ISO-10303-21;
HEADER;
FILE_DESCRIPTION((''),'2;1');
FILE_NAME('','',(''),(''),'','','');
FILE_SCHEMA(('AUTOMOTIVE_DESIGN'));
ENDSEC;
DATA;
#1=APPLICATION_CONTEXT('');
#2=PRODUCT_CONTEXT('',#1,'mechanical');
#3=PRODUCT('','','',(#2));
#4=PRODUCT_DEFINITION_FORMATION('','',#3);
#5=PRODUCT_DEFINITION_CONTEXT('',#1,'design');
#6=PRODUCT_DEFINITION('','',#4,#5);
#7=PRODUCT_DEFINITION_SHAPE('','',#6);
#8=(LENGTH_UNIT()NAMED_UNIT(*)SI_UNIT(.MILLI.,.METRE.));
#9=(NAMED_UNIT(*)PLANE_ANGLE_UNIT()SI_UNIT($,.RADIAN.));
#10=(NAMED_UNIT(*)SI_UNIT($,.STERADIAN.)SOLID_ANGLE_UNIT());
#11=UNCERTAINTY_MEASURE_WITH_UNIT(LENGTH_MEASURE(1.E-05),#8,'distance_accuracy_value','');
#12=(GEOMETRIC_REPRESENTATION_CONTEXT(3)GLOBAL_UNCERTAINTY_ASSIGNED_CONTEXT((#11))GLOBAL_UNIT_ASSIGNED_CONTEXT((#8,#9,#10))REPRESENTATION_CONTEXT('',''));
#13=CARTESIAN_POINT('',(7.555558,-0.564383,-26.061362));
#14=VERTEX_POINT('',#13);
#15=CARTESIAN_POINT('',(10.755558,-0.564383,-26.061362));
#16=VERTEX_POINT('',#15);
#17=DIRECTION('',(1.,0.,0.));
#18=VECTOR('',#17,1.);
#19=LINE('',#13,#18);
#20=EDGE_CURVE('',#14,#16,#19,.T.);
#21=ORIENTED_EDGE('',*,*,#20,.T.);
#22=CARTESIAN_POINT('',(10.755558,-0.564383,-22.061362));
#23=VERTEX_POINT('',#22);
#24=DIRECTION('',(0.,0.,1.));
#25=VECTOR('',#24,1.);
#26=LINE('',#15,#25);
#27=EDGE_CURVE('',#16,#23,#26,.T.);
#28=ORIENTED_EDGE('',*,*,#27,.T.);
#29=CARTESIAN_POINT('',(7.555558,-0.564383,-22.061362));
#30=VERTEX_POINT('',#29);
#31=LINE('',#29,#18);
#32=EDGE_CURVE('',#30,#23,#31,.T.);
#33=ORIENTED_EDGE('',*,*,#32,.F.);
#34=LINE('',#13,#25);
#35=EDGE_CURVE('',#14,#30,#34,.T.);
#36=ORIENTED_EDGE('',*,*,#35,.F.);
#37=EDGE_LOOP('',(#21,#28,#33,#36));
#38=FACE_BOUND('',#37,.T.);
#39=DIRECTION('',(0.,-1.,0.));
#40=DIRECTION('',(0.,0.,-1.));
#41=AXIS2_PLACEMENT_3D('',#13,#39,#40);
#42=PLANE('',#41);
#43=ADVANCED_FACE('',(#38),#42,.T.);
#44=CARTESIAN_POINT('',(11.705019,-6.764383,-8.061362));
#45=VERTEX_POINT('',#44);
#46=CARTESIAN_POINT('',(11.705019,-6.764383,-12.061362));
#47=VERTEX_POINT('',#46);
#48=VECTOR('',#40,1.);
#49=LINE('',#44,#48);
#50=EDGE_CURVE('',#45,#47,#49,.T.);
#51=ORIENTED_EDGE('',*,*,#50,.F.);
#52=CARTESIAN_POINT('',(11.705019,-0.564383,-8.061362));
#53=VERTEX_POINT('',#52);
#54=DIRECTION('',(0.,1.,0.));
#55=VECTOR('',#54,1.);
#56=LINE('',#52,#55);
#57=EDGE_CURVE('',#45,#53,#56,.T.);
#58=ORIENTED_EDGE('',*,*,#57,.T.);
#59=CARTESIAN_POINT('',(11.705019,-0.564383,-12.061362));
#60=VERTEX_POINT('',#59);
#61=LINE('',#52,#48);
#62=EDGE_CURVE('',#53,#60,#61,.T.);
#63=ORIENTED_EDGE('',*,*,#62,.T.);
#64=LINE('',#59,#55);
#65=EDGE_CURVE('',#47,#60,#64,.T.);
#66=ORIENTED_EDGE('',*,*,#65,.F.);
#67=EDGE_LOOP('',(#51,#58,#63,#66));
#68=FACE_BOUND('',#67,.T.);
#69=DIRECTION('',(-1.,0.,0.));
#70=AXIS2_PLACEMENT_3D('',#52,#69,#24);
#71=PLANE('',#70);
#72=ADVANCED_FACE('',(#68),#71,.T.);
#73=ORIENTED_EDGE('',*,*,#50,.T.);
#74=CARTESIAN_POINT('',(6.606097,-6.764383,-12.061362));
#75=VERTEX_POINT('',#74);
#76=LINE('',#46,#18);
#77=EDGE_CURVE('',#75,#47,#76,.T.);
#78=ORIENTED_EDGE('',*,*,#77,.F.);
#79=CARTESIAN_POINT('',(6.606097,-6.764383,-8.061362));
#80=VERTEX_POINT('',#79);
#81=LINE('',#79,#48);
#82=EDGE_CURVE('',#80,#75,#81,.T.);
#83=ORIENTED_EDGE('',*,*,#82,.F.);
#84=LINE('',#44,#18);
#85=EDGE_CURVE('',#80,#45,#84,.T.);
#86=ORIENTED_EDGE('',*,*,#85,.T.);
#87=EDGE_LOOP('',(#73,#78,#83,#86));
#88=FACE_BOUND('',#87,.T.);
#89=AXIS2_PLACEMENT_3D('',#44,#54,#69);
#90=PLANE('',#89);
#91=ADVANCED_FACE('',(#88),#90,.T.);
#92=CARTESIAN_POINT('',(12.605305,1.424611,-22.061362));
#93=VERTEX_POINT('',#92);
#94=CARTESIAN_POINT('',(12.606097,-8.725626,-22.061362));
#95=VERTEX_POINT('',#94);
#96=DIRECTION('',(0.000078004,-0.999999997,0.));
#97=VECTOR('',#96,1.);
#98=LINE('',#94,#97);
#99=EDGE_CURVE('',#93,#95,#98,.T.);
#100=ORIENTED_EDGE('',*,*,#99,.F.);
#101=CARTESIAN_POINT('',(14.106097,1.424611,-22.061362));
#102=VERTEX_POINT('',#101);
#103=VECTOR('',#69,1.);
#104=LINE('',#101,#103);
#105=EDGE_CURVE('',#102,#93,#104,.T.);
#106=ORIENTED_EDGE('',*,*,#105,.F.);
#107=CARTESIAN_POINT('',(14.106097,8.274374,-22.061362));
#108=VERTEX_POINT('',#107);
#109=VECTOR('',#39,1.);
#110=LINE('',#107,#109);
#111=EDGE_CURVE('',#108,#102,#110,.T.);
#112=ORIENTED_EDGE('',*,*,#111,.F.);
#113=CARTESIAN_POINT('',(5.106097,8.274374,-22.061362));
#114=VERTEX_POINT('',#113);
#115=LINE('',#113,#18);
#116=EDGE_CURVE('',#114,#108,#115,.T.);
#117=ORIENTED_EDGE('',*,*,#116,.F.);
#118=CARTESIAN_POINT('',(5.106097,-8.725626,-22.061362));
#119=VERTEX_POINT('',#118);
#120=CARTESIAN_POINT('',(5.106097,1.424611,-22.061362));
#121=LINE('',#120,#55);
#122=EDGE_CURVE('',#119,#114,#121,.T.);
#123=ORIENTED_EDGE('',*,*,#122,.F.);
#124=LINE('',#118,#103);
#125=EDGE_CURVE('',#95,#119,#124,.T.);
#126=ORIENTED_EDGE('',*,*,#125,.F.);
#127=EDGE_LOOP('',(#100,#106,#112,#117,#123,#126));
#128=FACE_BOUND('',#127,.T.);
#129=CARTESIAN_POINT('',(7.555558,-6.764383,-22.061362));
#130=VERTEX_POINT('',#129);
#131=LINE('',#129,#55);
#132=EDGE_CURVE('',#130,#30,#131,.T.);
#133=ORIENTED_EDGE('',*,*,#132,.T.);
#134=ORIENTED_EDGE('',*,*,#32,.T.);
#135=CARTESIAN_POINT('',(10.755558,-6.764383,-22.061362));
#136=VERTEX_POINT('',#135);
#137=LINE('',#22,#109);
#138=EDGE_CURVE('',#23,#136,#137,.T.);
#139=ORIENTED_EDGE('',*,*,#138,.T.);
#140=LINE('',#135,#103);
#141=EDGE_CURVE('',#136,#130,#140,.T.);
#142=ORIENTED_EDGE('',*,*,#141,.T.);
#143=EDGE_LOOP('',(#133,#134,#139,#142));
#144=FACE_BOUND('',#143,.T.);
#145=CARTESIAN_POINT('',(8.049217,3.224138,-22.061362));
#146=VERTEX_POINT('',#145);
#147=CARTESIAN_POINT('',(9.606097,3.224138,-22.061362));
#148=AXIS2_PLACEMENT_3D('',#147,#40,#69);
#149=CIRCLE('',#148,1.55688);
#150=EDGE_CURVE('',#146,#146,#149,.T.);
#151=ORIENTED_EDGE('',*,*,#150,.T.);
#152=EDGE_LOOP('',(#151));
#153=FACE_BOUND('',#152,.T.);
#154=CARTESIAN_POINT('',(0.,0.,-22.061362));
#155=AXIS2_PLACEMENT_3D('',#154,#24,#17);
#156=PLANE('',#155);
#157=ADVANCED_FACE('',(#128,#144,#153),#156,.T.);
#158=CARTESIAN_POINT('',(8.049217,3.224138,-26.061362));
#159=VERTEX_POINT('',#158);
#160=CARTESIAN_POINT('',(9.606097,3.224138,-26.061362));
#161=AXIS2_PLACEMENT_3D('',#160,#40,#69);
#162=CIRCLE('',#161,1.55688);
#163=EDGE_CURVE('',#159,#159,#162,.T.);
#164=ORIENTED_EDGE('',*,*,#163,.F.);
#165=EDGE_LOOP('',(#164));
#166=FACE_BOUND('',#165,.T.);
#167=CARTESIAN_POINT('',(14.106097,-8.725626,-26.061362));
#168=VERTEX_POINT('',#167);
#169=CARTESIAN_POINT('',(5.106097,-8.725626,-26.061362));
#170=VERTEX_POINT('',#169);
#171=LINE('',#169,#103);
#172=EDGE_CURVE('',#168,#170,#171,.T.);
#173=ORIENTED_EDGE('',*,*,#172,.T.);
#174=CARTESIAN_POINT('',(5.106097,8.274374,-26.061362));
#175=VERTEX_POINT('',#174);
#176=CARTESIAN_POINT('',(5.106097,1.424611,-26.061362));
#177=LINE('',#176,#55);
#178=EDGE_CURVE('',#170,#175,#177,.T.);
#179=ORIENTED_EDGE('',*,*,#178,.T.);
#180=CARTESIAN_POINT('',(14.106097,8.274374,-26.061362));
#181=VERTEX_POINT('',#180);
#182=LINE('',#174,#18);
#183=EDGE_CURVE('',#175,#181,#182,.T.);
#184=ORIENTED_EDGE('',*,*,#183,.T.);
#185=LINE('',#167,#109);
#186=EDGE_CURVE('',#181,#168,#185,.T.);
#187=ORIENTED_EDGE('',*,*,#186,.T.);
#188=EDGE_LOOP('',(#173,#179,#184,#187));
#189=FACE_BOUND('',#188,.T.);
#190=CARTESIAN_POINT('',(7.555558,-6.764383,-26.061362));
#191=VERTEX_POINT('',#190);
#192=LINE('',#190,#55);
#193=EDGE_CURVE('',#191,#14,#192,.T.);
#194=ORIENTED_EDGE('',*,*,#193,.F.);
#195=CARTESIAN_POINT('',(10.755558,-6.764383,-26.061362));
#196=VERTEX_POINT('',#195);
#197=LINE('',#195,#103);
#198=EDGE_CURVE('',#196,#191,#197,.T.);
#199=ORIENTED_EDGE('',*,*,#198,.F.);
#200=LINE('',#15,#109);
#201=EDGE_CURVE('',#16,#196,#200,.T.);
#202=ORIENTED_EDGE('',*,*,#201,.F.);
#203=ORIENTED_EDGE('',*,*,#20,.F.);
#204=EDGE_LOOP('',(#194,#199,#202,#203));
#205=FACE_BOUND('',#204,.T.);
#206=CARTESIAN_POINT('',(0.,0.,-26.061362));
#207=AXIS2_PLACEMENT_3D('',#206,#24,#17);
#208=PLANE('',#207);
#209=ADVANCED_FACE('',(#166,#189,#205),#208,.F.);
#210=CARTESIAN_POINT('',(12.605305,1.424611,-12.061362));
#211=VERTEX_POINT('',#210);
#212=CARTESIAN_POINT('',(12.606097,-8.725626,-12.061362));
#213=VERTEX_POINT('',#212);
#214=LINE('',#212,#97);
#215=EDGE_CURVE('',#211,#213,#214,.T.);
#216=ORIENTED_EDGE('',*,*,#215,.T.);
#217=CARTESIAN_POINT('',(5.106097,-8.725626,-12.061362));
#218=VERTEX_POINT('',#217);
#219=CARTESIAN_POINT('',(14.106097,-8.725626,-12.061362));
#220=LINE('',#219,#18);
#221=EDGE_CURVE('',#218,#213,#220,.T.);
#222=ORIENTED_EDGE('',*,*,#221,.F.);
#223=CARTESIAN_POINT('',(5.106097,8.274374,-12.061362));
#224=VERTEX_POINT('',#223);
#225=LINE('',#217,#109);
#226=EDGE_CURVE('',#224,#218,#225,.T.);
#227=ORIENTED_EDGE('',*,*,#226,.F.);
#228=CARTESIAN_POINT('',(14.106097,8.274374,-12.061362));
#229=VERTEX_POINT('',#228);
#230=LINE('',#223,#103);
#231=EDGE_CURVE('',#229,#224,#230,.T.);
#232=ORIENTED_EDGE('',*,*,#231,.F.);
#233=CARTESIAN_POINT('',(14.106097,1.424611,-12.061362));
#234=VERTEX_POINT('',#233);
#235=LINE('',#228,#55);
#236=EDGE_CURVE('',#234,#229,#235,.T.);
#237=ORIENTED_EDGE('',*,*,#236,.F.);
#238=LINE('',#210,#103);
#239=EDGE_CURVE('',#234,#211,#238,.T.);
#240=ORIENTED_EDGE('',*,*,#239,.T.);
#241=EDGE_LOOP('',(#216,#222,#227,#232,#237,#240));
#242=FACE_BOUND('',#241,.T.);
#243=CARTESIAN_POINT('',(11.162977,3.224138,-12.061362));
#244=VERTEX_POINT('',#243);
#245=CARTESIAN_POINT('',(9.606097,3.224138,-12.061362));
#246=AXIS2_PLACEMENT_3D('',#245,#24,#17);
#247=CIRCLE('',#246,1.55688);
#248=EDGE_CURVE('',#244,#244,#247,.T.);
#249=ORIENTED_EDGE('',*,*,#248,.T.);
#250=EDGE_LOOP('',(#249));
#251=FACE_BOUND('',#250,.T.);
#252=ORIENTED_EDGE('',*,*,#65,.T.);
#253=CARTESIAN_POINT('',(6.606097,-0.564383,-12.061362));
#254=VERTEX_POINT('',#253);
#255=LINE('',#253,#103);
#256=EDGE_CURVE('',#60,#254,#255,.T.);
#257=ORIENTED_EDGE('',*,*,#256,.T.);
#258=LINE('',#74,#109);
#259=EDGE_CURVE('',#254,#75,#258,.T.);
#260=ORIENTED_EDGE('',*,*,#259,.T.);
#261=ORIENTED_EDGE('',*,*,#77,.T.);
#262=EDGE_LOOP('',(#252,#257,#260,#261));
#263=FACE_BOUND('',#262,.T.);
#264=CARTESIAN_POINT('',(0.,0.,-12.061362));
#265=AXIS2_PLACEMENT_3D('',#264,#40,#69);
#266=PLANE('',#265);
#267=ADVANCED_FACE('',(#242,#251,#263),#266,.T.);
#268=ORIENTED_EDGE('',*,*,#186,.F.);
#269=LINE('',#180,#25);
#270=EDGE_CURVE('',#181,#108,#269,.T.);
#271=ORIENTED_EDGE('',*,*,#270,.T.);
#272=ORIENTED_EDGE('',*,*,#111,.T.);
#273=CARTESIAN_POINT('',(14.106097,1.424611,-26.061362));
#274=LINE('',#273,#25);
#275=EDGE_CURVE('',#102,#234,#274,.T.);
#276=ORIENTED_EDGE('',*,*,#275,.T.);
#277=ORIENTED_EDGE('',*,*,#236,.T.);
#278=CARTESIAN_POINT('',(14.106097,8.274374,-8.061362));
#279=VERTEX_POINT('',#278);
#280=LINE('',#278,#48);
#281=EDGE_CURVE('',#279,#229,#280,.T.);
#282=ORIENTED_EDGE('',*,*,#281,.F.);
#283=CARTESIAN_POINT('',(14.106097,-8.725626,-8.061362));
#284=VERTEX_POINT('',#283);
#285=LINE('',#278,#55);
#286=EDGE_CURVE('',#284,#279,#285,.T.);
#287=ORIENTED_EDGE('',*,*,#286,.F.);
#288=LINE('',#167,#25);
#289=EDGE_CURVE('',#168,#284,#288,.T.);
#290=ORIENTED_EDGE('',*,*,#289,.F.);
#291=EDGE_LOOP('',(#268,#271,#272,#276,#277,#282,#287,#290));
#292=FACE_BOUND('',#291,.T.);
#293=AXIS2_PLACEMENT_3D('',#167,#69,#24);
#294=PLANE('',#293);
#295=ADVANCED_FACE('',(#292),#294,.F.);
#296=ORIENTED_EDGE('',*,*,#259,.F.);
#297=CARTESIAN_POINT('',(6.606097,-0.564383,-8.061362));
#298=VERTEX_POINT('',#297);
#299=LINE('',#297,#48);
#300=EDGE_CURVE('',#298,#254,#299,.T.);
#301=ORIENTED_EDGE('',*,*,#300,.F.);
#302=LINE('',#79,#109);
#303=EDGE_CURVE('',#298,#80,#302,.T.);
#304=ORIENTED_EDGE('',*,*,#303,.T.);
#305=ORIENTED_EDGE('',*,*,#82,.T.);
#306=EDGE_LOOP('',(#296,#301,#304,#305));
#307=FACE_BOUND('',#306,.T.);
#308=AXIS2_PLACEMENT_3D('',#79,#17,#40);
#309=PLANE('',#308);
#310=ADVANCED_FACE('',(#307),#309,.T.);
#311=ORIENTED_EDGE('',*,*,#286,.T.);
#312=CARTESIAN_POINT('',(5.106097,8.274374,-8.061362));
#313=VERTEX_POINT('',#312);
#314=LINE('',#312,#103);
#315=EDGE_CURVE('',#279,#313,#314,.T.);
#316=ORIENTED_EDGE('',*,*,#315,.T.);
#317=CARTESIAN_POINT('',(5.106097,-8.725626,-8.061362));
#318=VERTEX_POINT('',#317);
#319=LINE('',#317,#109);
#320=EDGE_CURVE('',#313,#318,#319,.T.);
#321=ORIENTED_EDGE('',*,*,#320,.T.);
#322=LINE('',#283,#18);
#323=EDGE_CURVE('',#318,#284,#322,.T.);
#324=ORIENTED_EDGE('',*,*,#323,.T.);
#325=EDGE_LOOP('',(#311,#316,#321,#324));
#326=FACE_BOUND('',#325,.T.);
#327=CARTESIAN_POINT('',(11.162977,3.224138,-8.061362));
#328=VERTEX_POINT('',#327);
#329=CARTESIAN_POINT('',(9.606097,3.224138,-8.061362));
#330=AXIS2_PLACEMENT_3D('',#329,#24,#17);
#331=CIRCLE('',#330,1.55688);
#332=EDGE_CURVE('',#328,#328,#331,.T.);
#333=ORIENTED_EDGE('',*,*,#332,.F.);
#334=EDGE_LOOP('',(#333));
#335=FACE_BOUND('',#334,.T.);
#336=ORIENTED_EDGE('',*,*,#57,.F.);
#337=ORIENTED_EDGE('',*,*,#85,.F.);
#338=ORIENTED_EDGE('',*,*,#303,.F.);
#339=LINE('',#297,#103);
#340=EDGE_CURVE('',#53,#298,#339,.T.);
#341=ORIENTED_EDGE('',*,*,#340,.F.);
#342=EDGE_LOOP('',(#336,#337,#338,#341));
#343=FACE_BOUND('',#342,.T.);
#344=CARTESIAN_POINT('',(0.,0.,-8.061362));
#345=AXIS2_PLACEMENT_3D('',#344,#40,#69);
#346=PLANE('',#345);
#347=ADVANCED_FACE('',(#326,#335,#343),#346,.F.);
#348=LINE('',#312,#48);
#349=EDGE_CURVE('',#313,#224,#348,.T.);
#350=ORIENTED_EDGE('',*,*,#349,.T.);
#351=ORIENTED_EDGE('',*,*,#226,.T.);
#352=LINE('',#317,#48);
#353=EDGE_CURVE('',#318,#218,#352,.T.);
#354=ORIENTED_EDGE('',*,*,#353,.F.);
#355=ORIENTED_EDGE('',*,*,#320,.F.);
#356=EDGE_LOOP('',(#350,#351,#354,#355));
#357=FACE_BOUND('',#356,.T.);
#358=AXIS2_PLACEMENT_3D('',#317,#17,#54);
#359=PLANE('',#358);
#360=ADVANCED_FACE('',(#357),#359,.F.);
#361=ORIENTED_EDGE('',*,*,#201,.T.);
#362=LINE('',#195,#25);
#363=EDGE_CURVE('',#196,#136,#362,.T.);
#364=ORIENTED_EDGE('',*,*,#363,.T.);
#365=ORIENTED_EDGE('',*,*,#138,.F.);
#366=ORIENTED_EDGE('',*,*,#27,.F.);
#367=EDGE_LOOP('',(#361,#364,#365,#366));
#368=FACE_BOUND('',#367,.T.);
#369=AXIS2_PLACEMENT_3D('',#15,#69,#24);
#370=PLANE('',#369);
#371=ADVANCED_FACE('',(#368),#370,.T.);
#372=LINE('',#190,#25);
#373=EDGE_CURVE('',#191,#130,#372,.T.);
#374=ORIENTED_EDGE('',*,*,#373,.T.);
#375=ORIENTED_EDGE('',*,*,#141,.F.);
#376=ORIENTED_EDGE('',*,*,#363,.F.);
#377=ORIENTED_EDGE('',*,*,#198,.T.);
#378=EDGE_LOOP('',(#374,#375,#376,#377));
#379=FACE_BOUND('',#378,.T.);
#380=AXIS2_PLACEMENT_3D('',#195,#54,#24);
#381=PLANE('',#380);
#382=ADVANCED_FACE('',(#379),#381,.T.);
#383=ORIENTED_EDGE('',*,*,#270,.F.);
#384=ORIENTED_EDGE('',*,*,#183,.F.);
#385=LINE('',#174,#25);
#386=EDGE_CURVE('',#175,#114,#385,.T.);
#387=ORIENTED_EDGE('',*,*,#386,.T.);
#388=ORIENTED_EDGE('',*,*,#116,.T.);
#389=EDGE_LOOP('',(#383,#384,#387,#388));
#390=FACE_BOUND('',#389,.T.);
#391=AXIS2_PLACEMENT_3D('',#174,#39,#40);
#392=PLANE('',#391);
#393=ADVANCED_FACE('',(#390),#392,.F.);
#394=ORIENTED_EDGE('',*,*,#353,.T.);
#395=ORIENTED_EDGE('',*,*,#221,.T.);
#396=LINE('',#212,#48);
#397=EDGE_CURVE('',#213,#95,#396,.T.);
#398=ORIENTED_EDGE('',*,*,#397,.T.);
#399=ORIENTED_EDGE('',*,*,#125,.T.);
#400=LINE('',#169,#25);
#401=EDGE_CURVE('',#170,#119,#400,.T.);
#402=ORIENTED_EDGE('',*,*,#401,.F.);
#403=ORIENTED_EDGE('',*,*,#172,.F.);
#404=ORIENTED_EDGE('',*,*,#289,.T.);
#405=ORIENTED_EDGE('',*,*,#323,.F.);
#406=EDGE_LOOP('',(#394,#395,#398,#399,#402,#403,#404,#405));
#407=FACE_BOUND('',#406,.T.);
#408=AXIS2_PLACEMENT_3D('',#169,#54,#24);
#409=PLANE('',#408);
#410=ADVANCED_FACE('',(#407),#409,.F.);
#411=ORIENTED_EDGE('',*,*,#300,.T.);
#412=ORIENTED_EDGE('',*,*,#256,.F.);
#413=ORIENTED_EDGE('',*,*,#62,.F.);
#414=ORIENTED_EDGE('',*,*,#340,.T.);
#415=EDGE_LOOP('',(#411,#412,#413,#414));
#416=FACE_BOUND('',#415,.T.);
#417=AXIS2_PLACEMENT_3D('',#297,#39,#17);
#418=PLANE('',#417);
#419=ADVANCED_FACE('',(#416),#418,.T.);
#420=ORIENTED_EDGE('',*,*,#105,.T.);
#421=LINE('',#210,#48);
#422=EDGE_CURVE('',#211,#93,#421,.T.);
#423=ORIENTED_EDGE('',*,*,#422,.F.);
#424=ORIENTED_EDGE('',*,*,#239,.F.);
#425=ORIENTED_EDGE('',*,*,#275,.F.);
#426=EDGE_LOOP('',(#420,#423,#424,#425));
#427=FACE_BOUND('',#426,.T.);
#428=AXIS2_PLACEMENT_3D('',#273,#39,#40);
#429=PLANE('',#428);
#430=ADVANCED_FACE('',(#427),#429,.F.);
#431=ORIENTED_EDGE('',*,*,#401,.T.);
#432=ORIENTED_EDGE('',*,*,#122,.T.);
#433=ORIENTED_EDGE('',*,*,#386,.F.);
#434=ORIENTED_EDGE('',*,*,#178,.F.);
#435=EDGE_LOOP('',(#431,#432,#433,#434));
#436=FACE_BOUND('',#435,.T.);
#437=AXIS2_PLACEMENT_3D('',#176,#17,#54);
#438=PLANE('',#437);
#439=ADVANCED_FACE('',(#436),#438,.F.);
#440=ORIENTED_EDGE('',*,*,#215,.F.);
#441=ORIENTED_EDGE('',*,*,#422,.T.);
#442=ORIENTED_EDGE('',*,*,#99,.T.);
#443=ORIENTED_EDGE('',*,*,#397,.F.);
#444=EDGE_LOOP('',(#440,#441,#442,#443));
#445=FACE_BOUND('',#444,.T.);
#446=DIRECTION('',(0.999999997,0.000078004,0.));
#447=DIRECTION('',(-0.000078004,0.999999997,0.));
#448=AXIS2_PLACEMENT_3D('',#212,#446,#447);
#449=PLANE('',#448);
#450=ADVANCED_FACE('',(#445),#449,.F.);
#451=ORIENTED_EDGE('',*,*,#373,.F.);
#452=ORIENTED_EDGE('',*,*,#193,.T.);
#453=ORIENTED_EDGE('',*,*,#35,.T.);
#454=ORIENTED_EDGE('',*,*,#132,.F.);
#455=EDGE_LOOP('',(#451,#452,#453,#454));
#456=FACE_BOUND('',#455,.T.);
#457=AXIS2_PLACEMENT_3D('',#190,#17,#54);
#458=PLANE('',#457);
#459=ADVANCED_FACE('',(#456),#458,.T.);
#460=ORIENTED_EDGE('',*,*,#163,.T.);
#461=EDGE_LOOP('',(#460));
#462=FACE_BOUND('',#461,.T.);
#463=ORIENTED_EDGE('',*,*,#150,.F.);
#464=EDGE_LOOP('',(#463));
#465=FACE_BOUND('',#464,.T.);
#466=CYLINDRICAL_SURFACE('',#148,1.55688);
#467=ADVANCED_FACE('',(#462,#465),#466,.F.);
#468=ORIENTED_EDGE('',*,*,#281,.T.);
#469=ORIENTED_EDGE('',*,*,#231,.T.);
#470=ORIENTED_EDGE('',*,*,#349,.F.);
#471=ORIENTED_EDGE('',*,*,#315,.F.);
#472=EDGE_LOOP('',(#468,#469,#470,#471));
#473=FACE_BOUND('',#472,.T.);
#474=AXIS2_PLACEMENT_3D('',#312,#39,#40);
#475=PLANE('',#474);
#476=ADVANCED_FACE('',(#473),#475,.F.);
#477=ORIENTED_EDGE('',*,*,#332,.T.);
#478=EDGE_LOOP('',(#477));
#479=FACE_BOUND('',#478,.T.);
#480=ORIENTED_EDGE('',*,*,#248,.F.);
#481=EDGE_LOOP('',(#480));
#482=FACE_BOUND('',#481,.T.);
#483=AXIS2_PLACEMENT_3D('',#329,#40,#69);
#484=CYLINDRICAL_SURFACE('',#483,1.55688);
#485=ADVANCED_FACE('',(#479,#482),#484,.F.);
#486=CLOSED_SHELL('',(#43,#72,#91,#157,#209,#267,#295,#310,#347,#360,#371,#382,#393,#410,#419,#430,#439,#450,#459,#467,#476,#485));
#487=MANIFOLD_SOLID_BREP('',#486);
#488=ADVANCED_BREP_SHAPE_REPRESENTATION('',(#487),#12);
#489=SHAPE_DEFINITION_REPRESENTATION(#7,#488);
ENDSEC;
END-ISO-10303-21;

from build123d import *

# Parameters (mm, degrees)
SKIZZE3_W                       = 9
SKIZZE3_H                       = 10.1502367
SKIZZE3_W_2                     = 3.2
SKIZZE3_H_2                     = 6.2
AUFSATZ_LINEAR_AUSTRAGEN2_DEPTH = 4
AUFSATZ_LINEAR_AUSTRAGEN3_DEPTH = 10
SKIZZE6_W                       = 9
SKIZZE6_H                       = 6.8497633
AUFSATZ_LINEAR_AUSTRAGEN5_DEPTH = 4
SKIZZE7_R                       = 1.55688018
SCHNITT_LINEAR_AUSTRAGEN1_DEPTH = 4
SKIZZE8_W                       = 9
SKIZZE8_H                       = 17
SKIZZE8_R                       = 1.55688018
SKIZZE8_W_2                     = 5.098922271
SKIZZE8_H_2                     = 6.2
AUFSATZ_LINEAR_AUSTRAGEN6_DEPTH = 4


with BuildPart() as part:
    # Skizze3 → Aufsatz-Linear austragen2 (new body)
    with BuildSketch(Plane(origin=(0, 0, -22.061362238), x_dir=(-1, 0, 0), z_dir=(0, 0, -1))):
        with Locations((-9.606096766, -3.650507166)):
            Rectangle(SKIZZE3_W, SKIZZE3_H)
        with Locations((-9.155557902, -3.664383383)):
            Rectangle(SKIZZE3_W_2, SKIZZE3_H_2, mode=Mode.SUBTRACT)
    extrude(amount=AUFSATZ_LINEAR_AUSTRAGEN2_DEPTH)

    # Skizze4 → Aufsatz-Linear austragen3 (add)
    with BuildSketch(Plane.XY.offset(-22.061362238)):
        Polygon((12.605305007, 1.424611184), (14.106096766, 1.424611184), (14.106096766, -8.725625516), (12.606096766, -8.725625516), align=None)
    extrude(amount=AUFSATZ_LINEAR_AUSTRAGEN3_DEPTH)

    # Skizze6 → Aufsatz-Linear austragen5 (add)
    with BuildSketch(Plane(origin=(0, 0, -22.061362238), x_dir=(-1, 0, 0), z_dir=(0, 0, -1))):
        with Locations((-9.606096766, 4.849492834)):
            Rectangle(SKIZZE6_W, SKIZZE6_H)
    extrude(amount=AUFSATZ_LINEAR_AUSTRAGEN5_DEPTH)

    # Skizze7 → Schnitt-Linear austragen1 (cut)
    with BuildSketch(Plane(origin=(0, 0, -26.061362238), x_dir=(-1, 0, 0), z_dir=(0, 0, -1))):
        with Locations((-9.606096766, 3.224137783)):
            Circle(SKIZZE7_R)
    extrude(amount=-SCHNITT_LINEAR_AUSTRAGEN1_DEPTH, mode=Mode.SUBTRACT)

    # Skizze8 → Aufsatz-Linear austragen6 (add)
    with BuildSketch(Plane.XY.offset(-12.061362238)):
        with Locations((9.606096766, -0.225625516)):
            Rectangle(SKIZZE8_W, SKIZZE8_H)
        with Locations((9.606096766, 3.224137783)):
            Circle(SKIZZE8_R, mode=Mode.SUBTRACT)
        with Locations((9.155557901, -3.664383383)):
            Rectangle(SKIZZE8_W_2, SKIZZE8_H_2, mode=Mode.SUBTRACT)
    extrude(amount=AUFSATZ_LINEAR_AUSTRAGEN6_DEPTH)


solid = part.part
